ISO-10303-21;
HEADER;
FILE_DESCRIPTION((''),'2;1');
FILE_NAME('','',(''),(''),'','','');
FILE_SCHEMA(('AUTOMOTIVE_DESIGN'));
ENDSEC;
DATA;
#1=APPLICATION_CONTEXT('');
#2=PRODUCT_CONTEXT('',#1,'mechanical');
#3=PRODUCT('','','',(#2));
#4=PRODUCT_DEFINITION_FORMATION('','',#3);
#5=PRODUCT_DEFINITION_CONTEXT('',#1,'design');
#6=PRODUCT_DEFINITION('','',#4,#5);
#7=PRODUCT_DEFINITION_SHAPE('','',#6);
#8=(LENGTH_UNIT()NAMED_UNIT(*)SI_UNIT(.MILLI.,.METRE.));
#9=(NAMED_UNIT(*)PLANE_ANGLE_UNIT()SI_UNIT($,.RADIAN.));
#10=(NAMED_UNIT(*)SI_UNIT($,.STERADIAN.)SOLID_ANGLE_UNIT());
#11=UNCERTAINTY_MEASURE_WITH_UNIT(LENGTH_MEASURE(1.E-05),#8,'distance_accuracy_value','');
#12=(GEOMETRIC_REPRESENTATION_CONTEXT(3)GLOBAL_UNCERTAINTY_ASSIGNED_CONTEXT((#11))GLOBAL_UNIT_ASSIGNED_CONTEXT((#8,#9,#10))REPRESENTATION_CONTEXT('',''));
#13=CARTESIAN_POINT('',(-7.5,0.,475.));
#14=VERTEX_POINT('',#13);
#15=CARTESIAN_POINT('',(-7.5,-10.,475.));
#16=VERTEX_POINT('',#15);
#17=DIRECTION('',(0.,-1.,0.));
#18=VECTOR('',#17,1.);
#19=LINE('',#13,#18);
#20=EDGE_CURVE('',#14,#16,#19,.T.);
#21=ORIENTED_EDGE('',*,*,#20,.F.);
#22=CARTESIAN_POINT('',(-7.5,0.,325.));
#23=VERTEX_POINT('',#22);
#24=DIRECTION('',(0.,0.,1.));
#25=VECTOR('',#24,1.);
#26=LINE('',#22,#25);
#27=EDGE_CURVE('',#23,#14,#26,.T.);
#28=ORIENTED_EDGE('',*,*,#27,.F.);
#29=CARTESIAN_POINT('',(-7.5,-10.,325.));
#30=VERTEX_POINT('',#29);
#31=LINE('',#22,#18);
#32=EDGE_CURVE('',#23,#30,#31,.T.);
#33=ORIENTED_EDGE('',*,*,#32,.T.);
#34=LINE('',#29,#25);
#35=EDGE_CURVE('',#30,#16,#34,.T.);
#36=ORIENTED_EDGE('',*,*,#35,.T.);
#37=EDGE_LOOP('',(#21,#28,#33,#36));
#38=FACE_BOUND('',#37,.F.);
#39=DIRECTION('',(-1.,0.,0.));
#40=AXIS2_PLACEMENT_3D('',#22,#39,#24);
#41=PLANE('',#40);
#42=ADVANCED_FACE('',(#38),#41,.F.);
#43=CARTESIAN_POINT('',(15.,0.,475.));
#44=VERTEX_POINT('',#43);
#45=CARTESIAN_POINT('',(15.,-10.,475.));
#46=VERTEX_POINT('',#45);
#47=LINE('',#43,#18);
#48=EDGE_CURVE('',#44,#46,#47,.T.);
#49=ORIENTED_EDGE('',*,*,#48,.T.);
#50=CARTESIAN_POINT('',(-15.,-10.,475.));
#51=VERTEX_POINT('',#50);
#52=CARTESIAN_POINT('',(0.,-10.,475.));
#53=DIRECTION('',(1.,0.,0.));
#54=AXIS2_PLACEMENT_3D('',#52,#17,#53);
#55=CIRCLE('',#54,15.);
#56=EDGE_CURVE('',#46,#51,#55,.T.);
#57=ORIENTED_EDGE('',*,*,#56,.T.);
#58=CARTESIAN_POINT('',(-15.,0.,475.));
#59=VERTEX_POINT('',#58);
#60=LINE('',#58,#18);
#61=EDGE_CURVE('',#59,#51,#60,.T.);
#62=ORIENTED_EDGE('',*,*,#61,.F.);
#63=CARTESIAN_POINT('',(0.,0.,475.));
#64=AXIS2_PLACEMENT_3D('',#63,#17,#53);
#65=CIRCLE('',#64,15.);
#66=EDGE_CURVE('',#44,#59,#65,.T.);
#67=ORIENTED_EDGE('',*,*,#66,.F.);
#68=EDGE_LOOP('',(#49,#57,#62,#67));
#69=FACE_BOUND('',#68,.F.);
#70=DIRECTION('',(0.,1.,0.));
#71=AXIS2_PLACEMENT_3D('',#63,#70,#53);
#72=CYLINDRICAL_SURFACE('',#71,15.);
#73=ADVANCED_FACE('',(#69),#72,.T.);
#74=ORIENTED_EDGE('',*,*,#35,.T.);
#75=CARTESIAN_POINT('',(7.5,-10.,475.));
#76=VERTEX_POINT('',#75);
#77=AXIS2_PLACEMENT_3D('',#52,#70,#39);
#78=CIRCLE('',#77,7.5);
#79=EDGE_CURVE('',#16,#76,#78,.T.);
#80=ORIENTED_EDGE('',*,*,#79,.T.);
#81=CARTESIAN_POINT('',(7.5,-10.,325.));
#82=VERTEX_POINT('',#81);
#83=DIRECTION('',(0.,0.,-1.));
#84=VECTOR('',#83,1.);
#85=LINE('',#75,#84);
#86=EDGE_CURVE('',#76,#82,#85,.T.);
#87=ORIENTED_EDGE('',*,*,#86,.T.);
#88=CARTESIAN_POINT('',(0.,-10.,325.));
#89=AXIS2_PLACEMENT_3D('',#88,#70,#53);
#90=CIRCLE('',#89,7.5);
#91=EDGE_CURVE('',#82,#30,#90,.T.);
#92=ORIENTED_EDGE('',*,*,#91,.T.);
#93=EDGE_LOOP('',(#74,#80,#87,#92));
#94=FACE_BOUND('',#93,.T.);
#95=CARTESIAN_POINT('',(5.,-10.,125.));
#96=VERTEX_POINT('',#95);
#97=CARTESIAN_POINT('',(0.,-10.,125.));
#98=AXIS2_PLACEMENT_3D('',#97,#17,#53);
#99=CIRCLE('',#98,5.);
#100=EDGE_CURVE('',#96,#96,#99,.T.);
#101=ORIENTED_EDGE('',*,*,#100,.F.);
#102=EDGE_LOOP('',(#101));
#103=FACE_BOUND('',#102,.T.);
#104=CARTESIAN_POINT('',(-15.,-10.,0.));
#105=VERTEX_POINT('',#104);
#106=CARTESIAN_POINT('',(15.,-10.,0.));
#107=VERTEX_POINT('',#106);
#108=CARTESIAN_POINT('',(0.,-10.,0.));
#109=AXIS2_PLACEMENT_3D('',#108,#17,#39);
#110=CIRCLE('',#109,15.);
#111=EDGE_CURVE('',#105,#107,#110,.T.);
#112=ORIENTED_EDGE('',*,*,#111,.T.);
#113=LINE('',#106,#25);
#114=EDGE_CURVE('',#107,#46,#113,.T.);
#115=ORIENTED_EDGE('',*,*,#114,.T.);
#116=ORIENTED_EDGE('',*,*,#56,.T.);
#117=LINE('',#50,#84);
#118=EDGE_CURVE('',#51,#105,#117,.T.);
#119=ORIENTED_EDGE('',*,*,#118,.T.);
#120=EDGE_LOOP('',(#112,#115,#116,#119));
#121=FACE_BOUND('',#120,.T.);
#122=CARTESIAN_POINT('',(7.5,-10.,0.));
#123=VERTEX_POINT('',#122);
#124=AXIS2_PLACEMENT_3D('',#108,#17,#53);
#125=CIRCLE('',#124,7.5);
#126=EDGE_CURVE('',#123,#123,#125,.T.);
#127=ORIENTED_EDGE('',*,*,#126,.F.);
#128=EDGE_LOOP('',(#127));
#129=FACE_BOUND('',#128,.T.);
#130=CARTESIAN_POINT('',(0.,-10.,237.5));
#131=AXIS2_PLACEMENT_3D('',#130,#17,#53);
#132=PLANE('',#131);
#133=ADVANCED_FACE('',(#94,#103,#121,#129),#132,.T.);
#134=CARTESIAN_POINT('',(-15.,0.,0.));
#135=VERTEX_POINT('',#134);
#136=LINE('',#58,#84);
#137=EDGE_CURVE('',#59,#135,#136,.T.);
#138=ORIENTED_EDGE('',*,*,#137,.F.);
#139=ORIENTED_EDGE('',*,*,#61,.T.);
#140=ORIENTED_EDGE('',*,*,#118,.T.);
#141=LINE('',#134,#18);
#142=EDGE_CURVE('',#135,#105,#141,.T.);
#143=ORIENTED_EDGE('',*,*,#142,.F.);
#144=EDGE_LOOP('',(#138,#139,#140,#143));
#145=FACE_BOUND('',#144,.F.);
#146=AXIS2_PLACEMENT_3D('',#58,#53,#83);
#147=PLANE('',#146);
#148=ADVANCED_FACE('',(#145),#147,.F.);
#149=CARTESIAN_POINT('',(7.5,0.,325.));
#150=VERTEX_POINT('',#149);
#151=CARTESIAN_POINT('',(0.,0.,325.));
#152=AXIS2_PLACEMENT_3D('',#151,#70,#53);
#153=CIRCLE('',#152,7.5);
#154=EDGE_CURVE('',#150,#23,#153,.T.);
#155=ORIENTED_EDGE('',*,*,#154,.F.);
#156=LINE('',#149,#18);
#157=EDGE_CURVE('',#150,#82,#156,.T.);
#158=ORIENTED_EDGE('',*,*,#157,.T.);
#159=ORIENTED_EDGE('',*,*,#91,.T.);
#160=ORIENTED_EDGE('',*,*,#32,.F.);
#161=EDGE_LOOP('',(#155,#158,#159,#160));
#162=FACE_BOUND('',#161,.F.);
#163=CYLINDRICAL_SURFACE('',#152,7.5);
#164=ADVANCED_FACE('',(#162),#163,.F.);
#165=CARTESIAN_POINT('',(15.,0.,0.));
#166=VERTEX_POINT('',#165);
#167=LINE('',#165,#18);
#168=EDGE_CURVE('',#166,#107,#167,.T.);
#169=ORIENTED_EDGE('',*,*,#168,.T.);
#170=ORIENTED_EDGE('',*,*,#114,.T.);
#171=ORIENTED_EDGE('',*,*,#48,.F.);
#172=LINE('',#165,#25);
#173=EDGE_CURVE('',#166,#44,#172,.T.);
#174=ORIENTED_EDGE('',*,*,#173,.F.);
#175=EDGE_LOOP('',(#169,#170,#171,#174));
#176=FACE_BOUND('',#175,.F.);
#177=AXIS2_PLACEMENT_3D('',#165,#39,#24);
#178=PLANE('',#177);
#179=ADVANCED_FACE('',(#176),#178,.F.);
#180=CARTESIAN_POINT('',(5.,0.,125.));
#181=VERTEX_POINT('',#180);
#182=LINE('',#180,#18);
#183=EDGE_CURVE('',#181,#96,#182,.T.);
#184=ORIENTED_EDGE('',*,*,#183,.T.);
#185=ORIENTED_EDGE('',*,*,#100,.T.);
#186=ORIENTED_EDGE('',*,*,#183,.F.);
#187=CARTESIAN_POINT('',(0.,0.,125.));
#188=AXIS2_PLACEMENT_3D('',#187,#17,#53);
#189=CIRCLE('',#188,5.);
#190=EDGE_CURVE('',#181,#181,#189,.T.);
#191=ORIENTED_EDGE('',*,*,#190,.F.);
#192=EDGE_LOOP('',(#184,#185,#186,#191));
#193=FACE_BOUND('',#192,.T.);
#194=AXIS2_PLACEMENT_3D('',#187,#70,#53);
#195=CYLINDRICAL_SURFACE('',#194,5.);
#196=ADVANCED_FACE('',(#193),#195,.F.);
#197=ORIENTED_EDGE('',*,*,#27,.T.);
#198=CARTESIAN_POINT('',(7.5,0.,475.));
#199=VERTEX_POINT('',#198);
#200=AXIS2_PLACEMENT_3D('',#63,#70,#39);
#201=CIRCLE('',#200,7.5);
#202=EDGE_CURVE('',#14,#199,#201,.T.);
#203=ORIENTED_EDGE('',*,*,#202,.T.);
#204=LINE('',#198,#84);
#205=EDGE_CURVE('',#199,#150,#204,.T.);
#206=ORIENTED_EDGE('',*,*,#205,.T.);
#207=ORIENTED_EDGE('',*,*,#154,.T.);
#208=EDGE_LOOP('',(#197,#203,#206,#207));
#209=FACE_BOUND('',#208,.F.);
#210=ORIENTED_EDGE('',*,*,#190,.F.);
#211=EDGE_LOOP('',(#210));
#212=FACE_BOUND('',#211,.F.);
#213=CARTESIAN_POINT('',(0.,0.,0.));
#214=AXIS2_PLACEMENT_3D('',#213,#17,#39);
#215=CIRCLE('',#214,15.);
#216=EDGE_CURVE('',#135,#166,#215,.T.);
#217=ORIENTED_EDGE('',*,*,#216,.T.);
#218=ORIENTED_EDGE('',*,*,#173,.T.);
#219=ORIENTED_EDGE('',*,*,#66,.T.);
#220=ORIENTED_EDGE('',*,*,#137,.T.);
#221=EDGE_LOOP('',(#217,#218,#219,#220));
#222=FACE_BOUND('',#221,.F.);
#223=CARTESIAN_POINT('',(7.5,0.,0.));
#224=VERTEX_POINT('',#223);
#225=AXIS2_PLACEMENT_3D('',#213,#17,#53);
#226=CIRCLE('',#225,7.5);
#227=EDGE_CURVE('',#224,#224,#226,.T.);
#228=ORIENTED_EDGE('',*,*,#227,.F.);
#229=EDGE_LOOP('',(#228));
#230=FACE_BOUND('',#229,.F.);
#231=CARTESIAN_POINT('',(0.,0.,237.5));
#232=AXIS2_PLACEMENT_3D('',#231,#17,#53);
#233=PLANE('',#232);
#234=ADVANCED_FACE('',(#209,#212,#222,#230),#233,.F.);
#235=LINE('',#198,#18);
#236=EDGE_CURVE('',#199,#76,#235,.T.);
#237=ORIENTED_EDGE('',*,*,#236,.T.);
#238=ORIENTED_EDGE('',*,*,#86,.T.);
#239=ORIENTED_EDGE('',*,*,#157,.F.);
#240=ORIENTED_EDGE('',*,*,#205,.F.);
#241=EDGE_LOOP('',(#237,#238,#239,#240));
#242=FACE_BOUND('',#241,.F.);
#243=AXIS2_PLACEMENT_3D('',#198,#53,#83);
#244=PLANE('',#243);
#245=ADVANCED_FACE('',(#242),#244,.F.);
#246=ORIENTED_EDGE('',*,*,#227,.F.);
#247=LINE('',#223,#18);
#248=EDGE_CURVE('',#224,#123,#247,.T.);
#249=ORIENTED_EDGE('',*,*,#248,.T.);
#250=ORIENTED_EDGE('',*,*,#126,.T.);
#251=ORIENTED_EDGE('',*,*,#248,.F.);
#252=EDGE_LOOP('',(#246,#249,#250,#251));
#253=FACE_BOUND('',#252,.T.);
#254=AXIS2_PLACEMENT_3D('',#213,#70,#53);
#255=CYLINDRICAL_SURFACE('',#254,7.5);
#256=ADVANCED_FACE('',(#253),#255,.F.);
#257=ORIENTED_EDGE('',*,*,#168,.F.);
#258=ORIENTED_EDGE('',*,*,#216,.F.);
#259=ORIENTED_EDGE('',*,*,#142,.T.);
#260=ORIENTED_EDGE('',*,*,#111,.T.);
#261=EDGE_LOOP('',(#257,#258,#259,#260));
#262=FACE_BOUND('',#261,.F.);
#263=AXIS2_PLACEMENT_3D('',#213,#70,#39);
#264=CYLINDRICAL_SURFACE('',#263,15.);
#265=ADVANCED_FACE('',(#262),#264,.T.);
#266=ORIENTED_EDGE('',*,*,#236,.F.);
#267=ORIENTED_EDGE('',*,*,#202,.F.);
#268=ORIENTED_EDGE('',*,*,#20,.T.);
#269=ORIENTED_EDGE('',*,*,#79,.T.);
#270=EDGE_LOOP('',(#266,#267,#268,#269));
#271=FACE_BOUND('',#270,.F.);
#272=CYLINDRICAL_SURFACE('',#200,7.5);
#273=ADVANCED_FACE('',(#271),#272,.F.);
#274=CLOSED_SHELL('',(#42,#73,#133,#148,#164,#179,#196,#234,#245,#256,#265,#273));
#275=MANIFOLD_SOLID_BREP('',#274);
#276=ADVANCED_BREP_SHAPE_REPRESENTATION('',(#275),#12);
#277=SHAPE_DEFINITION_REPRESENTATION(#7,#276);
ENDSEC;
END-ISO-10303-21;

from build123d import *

# Parameters (mm, degrees)
F0_R     = 7.5
F0_R_2   = 5
F1_DEPTH = 10


with BuildPart() as f1:
    # F0 (on Front) → F1 (new body)
    with BuildSketch(Plane.XZ):
        with BuildLine():
            Line((-15, 475), (-15, 0))
            ThreePointArc((-15, 0), (0, -15), (15, 0))
            Line((15, 0), (15, 475))
            ThreePointArc((15, 475), (0, 490), (-15, 475))
        make_face()
        Circle(F0_R, mode=Mode.SUBTRACT)
        with Locations((0, 125)):
            Circle(F0_R_2, mode=Mode.SUBTRACT)
        with BuildLine():
            ThreePointArc((-7.5, 475), (0, 482.5), (7.5, 475))
            Line((7.5, 475), (7.5, 325))
            ThreePointArc((7.5, 325), (0, 317.5), (-7.5, 325))
            Line((-7.5, 325), (-7.5, 475))
        make_face(mode=Mode.SUBTRACT)
    extrude(amount=F1_DEPTH)


solid = f1.part
